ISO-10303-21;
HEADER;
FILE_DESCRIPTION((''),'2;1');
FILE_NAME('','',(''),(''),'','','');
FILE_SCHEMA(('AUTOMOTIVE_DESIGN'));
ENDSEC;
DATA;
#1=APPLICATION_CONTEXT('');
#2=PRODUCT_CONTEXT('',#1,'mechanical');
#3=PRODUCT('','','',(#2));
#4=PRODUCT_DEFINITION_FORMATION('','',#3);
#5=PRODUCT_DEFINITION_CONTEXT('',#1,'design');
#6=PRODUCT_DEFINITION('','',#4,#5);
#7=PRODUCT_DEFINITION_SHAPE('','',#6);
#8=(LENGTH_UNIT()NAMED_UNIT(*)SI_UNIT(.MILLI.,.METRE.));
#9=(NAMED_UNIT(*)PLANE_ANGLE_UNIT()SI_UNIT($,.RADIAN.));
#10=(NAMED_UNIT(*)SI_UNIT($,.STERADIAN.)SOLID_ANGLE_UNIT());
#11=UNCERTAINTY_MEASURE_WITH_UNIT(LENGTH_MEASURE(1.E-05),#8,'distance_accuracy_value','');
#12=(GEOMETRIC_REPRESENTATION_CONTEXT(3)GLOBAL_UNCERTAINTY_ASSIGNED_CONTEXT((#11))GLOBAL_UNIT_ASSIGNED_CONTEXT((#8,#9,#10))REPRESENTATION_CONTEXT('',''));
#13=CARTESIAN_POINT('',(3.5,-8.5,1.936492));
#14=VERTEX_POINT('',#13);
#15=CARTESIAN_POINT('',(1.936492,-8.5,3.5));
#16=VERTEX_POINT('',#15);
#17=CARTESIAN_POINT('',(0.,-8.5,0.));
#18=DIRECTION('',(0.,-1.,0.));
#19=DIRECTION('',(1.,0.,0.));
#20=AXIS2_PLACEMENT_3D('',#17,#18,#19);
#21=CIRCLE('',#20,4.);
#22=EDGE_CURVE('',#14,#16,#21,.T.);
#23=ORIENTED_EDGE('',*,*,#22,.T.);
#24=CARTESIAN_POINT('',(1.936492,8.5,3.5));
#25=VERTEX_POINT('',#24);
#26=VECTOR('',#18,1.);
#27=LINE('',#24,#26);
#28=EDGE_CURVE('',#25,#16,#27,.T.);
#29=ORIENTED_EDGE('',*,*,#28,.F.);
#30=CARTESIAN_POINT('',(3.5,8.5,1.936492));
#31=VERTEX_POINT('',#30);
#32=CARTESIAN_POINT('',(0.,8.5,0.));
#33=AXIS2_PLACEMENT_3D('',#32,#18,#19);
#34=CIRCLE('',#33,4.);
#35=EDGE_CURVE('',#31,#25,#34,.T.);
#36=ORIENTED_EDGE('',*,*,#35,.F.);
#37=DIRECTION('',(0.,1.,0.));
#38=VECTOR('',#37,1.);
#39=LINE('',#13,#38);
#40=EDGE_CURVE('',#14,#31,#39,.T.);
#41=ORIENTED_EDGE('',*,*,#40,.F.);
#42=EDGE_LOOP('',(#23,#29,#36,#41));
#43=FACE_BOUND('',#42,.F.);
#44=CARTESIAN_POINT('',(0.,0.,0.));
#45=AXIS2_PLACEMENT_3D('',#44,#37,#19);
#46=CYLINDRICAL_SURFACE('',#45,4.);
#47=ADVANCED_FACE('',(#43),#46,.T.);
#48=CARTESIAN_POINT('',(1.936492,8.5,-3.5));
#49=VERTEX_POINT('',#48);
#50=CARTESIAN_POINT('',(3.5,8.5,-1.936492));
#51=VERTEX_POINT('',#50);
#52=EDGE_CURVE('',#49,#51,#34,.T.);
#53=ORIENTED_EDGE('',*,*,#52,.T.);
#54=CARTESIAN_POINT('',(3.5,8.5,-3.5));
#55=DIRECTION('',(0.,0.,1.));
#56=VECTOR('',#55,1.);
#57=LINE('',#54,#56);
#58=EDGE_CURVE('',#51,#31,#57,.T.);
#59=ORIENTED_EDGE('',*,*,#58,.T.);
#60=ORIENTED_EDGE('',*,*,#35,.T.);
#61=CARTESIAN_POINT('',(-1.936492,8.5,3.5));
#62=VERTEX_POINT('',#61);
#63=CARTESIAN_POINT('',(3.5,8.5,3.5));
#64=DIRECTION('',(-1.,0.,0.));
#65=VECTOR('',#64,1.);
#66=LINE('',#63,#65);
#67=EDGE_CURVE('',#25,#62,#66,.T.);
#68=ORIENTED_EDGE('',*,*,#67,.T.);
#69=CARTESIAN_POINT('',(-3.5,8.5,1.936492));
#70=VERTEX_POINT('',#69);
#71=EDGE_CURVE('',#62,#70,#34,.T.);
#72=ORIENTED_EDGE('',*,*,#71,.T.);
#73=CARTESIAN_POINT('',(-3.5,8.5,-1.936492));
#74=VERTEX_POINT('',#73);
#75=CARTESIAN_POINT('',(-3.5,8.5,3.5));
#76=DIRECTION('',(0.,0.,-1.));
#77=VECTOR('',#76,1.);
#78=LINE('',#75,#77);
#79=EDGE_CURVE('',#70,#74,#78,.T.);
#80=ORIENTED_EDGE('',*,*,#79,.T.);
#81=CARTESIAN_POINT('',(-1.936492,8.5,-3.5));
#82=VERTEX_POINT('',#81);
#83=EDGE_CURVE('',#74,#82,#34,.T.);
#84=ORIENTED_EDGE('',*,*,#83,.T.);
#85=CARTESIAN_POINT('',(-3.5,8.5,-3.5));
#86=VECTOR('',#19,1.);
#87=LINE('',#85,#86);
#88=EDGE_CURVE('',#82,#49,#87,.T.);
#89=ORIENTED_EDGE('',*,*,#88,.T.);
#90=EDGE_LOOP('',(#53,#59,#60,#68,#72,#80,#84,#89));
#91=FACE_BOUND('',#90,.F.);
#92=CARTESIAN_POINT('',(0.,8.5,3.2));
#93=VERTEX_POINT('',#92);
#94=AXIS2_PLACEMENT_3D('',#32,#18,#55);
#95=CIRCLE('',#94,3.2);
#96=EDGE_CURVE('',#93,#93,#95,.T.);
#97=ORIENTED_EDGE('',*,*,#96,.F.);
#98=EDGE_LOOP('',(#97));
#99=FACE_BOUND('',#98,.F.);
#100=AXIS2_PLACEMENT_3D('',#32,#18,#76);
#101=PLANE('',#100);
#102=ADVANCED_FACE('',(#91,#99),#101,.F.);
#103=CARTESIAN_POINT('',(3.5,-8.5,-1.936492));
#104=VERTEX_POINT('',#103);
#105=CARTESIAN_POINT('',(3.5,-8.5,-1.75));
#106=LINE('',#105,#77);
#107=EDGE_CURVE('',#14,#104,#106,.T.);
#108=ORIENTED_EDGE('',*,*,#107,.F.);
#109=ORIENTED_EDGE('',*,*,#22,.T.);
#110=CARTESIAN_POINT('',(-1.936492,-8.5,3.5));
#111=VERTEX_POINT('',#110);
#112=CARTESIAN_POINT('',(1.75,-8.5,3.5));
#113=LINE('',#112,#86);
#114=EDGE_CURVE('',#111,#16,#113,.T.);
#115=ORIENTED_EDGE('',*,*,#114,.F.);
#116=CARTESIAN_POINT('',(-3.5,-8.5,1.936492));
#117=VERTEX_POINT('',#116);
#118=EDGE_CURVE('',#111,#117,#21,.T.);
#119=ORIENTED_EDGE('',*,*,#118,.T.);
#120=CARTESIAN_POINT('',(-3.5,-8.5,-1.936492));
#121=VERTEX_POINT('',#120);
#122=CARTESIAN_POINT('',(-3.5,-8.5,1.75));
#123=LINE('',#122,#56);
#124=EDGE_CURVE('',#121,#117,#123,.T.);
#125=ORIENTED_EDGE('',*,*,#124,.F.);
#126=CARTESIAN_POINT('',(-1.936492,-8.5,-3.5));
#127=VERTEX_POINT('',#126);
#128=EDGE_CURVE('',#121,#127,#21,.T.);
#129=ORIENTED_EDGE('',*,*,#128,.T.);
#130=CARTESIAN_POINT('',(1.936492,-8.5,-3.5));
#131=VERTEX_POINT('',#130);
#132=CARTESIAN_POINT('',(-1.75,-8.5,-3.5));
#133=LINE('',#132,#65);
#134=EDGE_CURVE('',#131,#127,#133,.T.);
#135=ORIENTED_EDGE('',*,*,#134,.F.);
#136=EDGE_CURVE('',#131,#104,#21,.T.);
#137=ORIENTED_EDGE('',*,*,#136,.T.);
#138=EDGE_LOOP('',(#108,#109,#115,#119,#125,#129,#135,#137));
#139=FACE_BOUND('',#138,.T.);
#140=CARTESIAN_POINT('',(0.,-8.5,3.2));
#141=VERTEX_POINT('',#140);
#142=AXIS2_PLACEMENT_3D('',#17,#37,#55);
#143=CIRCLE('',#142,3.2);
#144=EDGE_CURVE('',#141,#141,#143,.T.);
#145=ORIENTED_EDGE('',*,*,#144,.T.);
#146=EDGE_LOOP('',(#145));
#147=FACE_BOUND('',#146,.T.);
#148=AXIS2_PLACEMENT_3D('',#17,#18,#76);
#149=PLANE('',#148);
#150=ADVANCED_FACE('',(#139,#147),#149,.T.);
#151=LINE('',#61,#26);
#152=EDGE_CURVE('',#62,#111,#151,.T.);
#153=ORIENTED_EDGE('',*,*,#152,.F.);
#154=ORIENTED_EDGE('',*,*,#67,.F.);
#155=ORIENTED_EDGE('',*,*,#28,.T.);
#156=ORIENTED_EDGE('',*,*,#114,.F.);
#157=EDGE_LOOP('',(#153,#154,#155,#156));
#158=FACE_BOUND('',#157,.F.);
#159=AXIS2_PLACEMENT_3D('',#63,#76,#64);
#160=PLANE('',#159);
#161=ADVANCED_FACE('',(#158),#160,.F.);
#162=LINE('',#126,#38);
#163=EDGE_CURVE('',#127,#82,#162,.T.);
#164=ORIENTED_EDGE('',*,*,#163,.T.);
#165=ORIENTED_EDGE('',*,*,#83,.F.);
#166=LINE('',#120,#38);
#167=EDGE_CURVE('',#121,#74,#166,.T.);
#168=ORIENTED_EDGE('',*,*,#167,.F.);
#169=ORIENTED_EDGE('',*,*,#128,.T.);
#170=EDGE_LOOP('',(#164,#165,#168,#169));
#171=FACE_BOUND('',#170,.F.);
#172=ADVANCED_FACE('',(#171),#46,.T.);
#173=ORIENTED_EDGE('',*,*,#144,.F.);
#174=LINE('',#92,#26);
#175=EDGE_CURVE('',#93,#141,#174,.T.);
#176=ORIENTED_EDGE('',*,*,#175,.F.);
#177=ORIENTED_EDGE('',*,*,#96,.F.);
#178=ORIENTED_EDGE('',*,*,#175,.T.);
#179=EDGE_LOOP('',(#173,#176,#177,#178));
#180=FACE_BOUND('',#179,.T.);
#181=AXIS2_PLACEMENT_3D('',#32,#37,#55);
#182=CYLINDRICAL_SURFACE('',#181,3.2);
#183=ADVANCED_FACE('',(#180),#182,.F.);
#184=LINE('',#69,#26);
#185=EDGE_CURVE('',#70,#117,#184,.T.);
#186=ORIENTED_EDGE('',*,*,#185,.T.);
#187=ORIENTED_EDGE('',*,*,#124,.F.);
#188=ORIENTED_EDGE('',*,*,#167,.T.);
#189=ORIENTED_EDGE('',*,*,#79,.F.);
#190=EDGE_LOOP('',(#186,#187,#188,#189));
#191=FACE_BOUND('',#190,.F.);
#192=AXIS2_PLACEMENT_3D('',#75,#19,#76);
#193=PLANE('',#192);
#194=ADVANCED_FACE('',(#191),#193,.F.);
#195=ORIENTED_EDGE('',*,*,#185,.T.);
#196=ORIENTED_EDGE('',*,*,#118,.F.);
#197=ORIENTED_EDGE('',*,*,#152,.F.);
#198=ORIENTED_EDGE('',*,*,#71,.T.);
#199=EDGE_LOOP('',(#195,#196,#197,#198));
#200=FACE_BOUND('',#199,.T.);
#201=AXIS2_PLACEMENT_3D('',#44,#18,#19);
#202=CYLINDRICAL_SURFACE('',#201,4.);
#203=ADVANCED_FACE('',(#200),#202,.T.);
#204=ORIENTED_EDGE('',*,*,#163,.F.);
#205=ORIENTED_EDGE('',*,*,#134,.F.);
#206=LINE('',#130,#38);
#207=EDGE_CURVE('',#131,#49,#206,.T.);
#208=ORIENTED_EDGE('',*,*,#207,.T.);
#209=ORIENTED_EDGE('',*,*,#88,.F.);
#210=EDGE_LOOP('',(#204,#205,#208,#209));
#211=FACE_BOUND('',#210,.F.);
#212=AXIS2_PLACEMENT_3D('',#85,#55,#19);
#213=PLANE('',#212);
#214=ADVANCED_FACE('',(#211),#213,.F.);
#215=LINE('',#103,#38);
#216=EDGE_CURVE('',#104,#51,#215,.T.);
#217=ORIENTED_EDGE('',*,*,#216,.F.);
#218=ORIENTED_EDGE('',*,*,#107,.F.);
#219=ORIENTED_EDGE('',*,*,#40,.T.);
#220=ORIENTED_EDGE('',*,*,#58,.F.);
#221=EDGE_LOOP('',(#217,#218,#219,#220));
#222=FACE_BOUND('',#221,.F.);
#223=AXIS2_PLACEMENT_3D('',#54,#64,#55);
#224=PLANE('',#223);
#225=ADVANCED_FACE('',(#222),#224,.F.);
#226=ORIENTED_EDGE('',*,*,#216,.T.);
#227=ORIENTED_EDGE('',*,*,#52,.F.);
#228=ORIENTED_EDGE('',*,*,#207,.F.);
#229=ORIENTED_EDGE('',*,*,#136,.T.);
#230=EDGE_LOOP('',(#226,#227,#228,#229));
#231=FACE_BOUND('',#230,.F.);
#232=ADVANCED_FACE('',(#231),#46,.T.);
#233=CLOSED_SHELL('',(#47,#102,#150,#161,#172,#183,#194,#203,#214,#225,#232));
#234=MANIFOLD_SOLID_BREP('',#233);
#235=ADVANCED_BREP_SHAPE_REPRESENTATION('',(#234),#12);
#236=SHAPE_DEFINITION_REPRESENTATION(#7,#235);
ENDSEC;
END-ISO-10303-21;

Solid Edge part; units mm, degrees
sketch "Sketch1" plane through (0, 0, 0) normal (0, -1, 0) x (1, 0, 0)
  circle A0 centre (0, 0) radius 4
  dimension "D1" = 8
extrude "Protrusion1" add sketch "Sketch1" along normal mid plane 17
sketch "Sketch2" plane through (0, 8.5, 0) normal (0, 1, 0) x (0, 0, -1)
  line L0 (3.5, -3.5) -> (-3.5, -3.5)
  line L1 (-3.5, -3.5) -> (-3.5, 3.5)
  line L2 (-3.5, 3.5) -> (3.5, 3.5)
  line L3 (3.5, 3.5) -> (3.5, -3.5)
  line L4 (5, 5) -> (-5, 5)
  line L5 (-5, 5) -> (-5, -5)
  line L6 (-5, -5) -> (5, -5)
  line L7 (5, -5) -> (5, 5)
  dimension "D1" = 7
  dimension "D2" = 10
extrude "Cutout1" cut sketch "Sketch2" against normal through all
hole "Agujero_1" at (0, 8.5, 0) direction (0, -1, 0) diameter 6.4 end up to next
properties part number "1976-1500-008" material "Aluminio, 7075-T6"
